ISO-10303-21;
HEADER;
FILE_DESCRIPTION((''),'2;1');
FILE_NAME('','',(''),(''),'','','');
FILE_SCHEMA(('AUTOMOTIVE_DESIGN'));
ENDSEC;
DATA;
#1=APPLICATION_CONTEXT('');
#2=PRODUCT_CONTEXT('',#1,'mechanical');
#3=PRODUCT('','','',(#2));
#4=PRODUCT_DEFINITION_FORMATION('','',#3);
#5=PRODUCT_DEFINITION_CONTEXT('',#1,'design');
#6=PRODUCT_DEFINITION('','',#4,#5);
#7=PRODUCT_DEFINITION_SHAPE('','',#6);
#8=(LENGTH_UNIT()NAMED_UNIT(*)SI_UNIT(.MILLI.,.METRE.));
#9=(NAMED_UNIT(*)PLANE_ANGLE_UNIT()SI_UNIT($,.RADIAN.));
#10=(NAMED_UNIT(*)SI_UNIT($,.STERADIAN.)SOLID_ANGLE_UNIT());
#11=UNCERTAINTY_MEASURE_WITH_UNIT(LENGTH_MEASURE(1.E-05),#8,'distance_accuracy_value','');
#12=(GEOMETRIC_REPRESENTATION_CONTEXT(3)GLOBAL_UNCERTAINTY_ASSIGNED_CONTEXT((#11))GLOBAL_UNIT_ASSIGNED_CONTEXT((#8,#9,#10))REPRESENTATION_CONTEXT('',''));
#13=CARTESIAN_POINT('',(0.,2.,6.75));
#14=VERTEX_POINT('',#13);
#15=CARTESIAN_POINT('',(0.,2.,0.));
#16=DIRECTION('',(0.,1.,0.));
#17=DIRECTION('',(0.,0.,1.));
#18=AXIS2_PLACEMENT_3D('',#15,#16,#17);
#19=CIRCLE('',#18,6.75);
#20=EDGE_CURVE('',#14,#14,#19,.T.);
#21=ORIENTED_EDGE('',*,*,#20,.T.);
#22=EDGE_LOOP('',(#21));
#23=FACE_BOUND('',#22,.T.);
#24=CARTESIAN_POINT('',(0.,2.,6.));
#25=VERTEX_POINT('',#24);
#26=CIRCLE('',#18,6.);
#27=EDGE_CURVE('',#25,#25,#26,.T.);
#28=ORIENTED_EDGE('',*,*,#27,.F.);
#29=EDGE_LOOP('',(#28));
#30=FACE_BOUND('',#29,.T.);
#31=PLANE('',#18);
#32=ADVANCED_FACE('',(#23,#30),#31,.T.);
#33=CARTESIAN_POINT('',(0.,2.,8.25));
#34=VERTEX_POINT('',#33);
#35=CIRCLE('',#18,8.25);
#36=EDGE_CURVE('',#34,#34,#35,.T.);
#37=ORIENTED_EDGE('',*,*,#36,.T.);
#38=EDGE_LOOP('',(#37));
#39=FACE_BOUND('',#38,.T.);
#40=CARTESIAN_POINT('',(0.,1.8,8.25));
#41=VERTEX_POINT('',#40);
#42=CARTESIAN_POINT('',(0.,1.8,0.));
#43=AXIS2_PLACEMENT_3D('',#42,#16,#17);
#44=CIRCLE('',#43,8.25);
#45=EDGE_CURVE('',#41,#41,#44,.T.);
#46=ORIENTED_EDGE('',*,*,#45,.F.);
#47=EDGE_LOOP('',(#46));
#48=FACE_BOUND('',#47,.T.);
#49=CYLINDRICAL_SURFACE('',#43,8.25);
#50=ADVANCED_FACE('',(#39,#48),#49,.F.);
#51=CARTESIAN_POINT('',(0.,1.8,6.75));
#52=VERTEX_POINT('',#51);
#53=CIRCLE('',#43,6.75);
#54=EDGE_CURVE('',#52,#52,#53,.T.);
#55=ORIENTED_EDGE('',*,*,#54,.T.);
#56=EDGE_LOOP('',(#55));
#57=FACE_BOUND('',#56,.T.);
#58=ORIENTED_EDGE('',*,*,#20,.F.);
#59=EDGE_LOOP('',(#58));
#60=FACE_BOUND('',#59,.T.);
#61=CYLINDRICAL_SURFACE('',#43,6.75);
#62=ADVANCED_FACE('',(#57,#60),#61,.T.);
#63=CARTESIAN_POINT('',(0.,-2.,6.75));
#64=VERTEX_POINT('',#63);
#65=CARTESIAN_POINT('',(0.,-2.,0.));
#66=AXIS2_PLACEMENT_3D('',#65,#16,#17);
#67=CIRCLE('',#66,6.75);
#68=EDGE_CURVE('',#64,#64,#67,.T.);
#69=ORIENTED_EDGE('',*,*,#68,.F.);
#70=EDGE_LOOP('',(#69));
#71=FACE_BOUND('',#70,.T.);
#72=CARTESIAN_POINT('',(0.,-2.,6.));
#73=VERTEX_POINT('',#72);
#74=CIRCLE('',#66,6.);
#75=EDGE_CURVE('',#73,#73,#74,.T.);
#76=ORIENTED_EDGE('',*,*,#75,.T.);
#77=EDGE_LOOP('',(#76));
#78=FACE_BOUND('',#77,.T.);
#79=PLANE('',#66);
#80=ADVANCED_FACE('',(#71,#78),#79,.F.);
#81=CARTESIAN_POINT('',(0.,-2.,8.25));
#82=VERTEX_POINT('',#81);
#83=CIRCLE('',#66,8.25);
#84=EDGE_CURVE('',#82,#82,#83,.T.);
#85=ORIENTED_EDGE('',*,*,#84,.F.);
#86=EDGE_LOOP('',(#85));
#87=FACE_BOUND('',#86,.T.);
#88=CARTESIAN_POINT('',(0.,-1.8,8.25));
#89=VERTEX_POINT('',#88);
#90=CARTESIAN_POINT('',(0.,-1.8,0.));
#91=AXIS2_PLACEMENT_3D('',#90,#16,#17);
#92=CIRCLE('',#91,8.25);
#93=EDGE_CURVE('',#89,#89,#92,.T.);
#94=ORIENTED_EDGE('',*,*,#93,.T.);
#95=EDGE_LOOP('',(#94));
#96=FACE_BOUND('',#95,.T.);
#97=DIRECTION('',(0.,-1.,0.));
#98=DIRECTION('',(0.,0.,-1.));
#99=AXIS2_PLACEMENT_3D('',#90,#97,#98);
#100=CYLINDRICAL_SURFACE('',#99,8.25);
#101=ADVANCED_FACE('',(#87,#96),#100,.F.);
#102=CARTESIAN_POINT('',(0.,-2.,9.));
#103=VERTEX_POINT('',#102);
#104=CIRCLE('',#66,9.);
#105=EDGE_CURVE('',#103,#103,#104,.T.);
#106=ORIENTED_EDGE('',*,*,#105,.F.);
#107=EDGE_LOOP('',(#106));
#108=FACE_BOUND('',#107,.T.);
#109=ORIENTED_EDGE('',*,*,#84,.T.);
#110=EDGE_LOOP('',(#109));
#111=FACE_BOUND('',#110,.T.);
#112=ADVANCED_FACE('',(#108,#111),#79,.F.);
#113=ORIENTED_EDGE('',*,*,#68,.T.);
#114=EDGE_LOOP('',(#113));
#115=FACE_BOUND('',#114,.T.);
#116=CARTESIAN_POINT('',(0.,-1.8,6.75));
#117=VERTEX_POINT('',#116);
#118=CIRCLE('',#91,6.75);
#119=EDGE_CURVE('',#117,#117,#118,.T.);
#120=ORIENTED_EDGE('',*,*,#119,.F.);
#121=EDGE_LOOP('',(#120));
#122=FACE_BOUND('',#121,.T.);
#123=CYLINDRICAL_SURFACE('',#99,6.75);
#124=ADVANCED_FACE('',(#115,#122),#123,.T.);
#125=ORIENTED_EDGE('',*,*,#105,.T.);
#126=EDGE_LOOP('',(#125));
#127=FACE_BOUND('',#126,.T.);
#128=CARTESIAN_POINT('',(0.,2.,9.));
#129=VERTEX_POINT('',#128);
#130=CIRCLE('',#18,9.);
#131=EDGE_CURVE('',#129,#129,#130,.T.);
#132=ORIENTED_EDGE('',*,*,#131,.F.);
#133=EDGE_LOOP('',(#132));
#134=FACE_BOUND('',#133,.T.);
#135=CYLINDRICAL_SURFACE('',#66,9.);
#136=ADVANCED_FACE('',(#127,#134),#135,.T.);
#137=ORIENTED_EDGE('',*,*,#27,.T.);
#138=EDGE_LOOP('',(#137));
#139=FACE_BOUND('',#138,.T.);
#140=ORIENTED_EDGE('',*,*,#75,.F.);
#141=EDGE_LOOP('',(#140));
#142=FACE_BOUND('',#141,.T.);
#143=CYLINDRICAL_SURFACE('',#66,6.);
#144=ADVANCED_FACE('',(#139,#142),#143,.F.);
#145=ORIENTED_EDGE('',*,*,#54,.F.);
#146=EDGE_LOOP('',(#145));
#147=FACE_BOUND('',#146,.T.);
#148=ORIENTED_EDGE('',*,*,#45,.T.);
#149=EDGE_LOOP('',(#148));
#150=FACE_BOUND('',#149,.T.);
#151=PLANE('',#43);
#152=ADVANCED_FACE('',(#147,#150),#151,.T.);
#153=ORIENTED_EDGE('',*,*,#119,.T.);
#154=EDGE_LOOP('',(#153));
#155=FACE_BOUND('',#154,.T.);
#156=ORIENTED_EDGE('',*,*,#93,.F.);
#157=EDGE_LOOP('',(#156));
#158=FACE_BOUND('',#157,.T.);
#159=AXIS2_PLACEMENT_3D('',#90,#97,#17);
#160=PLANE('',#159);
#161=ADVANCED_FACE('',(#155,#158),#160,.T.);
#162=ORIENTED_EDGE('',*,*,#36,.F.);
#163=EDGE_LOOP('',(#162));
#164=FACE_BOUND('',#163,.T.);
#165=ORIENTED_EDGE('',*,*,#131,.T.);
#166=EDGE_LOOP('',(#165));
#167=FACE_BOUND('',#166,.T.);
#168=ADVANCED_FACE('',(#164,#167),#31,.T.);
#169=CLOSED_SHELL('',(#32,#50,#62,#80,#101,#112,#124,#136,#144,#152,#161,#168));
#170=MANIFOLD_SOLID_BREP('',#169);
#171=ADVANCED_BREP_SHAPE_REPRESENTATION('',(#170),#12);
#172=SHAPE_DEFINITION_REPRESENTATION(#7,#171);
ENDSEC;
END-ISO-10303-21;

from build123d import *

# Parameters (mm, degrees)
EXTRUDE_1_DEPTH      = 2
EXTRUDE_1_DEPTH_BACK = 2
SKETCH_1_R           = 9
SKETCH_1_R_2         = 6
SKETCH_2_R           = 8.25
SKETCH_2_R_2         = 6.75
CUT_EXTRUDE_1_DEPTH  = 0.2


with BuildPart() as part:
    # 草图1 → 凸台-拉伸1 (new, two sides: drawn at the far end of the back side and taken through both)
    with BuildSketch(Plane(origin=(0, 0, 0), x_dir=(1, 0, 0), z_dir=(0, 1, 0)).offset(-EXTRUDE_1_DEPTH_BACK)):
        Circle(SKETCH_1_R)
        Circle(SKETCH_1_R_2, mode=Mode.SUBTRACT)
    extrude(amount=EXTRUDE_1_DEPTH + EXTRUDE_1_DEPTH_BACK)

    # 草图2 → 切除-拉伸1 (cut)
    with BuildSketch(Plane(origin=(0, 2, 0), x_dir=(1, 0, 0), z_dir=(0, 1, 0))):
        Circle(SKETCH_2_R)
        Circle(SKETCH_2_R_2, mode=Mode.SUBTRACT)
    cut_extrude_1 = extrude(amount=-CUT_EXTRUDE_1_DEPTH, mode=Mode.SUBTRACT)

    # 镜向1: 切除-拉伸1 across plane
    add(cut_extrude_1.mirror(Plane.ZX), mode=Mode.SUBTRACT)


solid = part.part
